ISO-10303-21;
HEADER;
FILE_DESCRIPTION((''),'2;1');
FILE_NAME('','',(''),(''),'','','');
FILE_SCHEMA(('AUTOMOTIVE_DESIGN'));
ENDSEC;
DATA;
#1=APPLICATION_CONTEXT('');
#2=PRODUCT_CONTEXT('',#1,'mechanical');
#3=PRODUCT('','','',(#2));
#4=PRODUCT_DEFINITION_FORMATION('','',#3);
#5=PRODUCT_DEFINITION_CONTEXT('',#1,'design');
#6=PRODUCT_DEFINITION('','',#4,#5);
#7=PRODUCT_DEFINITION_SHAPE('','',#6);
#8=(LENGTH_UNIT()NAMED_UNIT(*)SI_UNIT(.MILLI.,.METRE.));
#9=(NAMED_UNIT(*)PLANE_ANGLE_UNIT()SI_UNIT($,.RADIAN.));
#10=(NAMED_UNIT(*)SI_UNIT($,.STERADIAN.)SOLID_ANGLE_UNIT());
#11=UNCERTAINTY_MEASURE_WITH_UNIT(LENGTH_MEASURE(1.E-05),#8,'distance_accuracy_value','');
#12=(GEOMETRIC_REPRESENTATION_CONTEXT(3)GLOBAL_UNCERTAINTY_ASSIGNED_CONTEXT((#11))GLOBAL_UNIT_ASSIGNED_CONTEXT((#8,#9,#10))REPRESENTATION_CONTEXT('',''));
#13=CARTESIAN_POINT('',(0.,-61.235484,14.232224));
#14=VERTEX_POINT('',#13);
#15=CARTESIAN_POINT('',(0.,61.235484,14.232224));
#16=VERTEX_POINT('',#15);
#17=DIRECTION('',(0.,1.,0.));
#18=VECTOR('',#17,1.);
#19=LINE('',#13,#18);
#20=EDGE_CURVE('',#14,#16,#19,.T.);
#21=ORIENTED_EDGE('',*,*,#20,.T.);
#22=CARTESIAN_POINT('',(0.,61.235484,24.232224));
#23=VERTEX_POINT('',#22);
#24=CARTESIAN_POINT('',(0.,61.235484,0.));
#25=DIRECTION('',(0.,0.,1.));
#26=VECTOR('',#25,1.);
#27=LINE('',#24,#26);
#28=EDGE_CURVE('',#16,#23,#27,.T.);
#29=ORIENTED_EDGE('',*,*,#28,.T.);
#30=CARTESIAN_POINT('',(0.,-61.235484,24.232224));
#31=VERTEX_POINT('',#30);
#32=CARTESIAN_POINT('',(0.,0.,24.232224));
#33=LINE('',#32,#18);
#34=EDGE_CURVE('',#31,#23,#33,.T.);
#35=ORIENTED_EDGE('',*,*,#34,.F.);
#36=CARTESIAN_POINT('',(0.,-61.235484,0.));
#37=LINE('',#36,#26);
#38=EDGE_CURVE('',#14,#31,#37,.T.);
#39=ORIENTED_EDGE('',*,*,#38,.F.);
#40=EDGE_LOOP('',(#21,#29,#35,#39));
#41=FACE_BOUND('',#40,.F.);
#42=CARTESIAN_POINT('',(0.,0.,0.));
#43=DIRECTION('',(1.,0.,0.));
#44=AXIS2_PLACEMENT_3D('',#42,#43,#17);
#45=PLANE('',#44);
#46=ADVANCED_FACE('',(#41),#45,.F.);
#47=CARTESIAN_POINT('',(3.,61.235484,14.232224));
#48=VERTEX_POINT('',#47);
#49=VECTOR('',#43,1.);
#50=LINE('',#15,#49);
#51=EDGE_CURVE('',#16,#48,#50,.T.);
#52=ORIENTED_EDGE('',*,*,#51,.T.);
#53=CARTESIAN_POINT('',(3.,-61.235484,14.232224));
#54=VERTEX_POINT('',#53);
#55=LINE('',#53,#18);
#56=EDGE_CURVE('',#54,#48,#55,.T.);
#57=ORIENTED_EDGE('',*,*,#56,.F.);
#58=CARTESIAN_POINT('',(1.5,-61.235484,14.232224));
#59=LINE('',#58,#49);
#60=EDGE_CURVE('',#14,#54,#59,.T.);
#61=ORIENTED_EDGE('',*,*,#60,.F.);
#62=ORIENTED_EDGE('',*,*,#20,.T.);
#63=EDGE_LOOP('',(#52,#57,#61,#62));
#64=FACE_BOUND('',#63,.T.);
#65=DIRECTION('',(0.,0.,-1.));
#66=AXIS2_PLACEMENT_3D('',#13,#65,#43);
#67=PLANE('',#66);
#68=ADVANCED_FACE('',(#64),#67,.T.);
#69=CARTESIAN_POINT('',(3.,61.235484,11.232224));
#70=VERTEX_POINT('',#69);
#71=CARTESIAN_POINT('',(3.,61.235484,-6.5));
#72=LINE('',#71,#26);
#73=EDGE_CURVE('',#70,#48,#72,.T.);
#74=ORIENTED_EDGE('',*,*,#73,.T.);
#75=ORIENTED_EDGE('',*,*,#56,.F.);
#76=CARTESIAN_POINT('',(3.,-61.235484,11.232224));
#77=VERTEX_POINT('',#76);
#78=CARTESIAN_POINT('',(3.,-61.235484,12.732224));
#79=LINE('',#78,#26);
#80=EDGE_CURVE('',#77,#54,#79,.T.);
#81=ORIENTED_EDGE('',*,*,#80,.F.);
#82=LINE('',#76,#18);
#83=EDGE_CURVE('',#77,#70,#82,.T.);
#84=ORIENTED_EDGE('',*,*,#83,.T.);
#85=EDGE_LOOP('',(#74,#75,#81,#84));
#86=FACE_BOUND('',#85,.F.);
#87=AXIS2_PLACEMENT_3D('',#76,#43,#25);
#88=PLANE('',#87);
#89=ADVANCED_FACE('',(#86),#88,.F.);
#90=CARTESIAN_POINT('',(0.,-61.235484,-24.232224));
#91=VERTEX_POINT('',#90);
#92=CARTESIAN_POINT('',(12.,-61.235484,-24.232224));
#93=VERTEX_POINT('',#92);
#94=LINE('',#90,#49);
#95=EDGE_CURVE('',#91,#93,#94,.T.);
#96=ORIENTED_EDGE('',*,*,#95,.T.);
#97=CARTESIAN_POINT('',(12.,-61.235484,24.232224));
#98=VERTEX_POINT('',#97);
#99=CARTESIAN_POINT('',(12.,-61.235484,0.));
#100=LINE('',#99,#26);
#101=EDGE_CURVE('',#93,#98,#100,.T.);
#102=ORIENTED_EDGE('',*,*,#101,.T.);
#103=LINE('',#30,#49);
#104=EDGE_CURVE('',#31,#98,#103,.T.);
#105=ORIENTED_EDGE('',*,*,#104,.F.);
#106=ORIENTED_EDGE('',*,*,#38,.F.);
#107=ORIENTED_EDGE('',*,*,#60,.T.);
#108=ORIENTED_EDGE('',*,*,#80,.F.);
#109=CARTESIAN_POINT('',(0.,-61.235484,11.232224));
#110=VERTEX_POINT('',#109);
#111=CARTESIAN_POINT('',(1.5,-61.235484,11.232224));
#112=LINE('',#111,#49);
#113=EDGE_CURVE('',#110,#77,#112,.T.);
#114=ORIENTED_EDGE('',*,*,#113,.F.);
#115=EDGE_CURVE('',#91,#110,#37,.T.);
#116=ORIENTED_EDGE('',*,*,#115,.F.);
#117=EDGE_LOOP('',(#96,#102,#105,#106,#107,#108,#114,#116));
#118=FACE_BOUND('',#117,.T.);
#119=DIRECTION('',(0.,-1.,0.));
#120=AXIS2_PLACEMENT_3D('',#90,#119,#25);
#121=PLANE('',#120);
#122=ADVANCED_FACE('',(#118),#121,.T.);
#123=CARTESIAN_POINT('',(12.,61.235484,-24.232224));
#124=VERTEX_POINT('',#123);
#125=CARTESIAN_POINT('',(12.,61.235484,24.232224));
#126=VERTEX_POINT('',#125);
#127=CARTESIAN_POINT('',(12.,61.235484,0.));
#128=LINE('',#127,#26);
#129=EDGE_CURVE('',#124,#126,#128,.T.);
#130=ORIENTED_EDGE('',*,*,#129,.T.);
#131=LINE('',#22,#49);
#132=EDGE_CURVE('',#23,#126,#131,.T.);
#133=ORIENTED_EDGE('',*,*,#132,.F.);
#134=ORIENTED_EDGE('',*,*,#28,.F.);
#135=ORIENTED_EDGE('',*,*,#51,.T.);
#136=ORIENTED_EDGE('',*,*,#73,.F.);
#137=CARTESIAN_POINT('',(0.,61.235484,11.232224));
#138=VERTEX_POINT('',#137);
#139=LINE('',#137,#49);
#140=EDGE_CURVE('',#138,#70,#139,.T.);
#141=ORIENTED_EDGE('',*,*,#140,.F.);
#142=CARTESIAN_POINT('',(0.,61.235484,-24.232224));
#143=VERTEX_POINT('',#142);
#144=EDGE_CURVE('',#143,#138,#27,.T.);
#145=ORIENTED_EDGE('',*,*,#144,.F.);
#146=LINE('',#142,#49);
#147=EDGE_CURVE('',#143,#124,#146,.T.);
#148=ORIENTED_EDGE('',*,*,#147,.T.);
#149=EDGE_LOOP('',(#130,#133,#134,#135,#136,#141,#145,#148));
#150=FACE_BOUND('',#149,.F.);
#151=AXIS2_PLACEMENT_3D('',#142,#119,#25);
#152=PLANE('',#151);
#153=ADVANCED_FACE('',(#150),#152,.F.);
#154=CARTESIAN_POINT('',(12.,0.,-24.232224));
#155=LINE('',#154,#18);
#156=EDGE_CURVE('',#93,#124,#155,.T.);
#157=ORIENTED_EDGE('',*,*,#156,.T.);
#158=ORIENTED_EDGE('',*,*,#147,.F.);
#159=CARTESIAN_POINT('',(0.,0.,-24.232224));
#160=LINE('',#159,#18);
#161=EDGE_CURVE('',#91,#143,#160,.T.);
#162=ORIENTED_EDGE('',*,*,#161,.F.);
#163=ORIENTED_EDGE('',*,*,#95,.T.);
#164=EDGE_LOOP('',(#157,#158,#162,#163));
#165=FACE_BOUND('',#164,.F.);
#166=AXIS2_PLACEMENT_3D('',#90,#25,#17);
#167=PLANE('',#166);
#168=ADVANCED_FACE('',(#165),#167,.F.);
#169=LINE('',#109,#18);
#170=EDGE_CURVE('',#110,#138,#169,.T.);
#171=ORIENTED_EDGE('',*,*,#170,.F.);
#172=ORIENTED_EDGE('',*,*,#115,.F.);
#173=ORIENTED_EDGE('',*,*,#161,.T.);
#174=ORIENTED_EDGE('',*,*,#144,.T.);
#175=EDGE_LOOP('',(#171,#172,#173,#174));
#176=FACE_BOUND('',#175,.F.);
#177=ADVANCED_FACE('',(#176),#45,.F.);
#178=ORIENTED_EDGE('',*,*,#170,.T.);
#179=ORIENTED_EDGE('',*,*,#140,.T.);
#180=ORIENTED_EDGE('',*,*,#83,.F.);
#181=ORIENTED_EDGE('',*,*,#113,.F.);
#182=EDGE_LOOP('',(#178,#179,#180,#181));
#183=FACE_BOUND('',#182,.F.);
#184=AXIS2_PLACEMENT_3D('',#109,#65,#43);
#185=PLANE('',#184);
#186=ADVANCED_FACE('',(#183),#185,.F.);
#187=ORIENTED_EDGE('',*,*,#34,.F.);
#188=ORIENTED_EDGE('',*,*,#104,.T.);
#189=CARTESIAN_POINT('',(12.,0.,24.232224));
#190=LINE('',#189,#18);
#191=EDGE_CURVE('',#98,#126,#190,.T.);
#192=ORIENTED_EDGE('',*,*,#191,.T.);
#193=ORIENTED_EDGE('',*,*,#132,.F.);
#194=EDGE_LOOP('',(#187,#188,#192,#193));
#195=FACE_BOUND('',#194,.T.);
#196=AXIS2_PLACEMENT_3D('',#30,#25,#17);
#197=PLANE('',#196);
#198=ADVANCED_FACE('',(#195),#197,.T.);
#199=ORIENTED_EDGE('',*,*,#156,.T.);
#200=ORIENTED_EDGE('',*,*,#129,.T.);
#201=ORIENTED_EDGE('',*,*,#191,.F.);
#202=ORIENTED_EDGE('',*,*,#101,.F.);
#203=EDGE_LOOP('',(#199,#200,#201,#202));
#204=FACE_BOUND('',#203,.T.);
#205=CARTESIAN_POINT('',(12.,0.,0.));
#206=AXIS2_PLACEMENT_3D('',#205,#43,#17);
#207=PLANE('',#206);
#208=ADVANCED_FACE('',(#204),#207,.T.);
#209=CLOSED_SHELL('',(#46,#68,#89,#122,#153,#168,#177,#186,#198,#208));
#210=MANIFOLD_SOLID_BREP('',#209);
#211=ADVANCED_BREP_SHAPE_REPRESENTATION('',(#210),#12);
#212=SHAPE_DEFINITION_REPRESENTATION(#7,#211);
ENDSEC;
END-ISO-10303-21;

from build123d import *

# Parameters (mm, degrees)
F0_W     = 122.470968
F0_H     = 48.464448
F1_DEPTH = 12
F2_W     = 3
F2_H     = 3
F3_DEPTH = 30000


with BuildPart() as f1:
    # F0 (on Right) → F1 (new body)
    with BuildSketch(Plane.YZ):
        Rectangle(F0_W, F0_H)
    extrude(amount=F1_DEPTH)

    # F2 (on face) → F3 (cut)
    with BuildSketch(Plane.XZ.offset(61.235484)):
        with Locations((1.5, 12.732224)):
            Rectangle(F2_W, F2_H)
    extrude(amount=-F3_DEPTH, mode=Mode.SUBTRACT)


solid = f1.part
